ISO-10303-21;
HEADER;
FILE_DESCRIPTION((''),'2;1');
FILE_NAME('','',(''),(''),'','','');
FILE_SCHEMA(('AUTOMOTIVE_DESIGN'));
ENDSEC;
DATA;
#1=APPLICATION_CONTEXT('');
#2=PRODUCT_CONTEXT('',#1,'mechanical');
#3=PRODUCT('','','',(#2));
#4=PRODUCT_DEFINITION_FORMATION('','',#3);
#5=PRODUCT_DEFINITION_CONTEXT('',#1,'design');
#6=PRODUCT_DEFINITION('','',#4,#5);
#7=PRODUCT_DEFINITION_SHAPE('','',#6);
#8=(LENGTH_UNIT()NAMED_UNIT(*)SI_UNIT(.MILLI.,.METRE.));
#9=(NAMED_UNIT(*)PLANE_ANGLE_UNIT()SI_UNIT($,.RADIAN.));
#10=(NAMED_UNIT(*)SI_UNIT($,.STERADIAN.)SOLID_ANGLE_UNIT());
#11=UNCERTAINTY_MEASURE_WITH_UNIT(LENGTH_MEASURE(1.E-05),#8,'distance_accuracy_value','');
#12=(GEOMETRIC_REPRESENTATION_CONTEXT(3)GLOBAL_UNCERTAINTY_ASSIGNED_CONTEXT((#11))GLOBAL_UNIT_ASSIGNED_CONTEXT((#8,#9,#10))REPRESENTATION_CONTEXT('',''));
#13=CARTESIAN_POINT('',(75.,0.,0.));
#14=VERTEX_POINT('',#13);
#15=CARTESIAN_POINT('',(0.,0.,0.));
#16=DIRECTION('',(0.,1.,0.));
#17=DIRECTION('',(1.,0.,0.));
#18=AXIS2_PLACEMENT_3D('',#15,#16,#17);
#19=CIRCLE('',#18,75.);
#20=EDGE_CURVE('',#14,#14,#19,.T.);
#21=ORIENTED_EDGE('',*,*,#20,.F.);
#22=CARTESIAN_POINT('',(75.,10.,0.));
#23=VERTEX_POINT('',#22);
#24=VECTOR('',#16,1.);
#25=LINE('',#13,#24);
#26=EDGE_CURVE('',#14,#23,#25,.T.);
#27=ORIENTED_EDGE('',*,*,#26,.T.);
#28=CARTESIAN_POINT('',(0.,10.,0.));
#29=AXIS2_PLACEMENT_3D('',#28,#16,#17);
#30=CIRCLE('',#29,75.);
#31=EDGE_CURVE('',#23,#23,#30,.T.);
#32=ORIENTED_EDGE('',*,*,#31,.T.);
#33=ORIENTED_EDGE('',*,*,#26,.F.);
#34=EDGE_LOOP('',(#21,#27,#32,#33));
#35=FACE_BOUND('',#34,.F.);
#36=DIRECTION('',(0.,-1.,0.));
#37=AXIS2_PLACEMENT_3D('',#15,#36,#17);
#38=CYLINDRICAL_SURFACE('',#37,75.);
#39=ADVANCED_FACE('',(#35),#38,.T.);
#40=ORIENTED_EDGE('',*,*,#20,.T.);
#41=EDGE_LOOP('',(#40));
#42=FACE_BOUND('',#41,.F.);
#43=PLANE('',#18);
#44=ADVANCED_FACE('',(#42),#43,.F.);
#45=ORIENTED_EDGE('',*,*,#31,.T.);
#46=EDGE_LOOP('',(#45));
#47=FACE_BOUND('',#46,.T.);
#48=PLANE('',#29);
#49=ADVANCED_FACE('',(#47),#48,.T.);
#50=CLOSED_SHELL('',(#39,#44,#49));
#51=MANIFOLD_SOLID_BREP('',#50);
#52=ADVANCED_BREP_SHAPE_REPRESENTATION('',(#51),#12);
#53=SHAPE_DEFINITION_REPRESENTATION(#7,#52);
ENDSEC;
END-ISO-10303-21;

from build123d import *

# Parameters (mm, degrees)
ESQUISSE1_R      = 75
EXTRUSION1_DEPTH = 10


with BuildPart() as part:
    # Esquisse1 → Extrusion1 (new body)
    with BuildSketch(Plane(origin=(0, 0, 0), x_dir=(1, 0, 0), z_dir=(0, 1, 0))):
        Circle(ESQUISSE1_R)
    extrude(amount=EXTRUSION1_DEPTH)


solid = part.part
